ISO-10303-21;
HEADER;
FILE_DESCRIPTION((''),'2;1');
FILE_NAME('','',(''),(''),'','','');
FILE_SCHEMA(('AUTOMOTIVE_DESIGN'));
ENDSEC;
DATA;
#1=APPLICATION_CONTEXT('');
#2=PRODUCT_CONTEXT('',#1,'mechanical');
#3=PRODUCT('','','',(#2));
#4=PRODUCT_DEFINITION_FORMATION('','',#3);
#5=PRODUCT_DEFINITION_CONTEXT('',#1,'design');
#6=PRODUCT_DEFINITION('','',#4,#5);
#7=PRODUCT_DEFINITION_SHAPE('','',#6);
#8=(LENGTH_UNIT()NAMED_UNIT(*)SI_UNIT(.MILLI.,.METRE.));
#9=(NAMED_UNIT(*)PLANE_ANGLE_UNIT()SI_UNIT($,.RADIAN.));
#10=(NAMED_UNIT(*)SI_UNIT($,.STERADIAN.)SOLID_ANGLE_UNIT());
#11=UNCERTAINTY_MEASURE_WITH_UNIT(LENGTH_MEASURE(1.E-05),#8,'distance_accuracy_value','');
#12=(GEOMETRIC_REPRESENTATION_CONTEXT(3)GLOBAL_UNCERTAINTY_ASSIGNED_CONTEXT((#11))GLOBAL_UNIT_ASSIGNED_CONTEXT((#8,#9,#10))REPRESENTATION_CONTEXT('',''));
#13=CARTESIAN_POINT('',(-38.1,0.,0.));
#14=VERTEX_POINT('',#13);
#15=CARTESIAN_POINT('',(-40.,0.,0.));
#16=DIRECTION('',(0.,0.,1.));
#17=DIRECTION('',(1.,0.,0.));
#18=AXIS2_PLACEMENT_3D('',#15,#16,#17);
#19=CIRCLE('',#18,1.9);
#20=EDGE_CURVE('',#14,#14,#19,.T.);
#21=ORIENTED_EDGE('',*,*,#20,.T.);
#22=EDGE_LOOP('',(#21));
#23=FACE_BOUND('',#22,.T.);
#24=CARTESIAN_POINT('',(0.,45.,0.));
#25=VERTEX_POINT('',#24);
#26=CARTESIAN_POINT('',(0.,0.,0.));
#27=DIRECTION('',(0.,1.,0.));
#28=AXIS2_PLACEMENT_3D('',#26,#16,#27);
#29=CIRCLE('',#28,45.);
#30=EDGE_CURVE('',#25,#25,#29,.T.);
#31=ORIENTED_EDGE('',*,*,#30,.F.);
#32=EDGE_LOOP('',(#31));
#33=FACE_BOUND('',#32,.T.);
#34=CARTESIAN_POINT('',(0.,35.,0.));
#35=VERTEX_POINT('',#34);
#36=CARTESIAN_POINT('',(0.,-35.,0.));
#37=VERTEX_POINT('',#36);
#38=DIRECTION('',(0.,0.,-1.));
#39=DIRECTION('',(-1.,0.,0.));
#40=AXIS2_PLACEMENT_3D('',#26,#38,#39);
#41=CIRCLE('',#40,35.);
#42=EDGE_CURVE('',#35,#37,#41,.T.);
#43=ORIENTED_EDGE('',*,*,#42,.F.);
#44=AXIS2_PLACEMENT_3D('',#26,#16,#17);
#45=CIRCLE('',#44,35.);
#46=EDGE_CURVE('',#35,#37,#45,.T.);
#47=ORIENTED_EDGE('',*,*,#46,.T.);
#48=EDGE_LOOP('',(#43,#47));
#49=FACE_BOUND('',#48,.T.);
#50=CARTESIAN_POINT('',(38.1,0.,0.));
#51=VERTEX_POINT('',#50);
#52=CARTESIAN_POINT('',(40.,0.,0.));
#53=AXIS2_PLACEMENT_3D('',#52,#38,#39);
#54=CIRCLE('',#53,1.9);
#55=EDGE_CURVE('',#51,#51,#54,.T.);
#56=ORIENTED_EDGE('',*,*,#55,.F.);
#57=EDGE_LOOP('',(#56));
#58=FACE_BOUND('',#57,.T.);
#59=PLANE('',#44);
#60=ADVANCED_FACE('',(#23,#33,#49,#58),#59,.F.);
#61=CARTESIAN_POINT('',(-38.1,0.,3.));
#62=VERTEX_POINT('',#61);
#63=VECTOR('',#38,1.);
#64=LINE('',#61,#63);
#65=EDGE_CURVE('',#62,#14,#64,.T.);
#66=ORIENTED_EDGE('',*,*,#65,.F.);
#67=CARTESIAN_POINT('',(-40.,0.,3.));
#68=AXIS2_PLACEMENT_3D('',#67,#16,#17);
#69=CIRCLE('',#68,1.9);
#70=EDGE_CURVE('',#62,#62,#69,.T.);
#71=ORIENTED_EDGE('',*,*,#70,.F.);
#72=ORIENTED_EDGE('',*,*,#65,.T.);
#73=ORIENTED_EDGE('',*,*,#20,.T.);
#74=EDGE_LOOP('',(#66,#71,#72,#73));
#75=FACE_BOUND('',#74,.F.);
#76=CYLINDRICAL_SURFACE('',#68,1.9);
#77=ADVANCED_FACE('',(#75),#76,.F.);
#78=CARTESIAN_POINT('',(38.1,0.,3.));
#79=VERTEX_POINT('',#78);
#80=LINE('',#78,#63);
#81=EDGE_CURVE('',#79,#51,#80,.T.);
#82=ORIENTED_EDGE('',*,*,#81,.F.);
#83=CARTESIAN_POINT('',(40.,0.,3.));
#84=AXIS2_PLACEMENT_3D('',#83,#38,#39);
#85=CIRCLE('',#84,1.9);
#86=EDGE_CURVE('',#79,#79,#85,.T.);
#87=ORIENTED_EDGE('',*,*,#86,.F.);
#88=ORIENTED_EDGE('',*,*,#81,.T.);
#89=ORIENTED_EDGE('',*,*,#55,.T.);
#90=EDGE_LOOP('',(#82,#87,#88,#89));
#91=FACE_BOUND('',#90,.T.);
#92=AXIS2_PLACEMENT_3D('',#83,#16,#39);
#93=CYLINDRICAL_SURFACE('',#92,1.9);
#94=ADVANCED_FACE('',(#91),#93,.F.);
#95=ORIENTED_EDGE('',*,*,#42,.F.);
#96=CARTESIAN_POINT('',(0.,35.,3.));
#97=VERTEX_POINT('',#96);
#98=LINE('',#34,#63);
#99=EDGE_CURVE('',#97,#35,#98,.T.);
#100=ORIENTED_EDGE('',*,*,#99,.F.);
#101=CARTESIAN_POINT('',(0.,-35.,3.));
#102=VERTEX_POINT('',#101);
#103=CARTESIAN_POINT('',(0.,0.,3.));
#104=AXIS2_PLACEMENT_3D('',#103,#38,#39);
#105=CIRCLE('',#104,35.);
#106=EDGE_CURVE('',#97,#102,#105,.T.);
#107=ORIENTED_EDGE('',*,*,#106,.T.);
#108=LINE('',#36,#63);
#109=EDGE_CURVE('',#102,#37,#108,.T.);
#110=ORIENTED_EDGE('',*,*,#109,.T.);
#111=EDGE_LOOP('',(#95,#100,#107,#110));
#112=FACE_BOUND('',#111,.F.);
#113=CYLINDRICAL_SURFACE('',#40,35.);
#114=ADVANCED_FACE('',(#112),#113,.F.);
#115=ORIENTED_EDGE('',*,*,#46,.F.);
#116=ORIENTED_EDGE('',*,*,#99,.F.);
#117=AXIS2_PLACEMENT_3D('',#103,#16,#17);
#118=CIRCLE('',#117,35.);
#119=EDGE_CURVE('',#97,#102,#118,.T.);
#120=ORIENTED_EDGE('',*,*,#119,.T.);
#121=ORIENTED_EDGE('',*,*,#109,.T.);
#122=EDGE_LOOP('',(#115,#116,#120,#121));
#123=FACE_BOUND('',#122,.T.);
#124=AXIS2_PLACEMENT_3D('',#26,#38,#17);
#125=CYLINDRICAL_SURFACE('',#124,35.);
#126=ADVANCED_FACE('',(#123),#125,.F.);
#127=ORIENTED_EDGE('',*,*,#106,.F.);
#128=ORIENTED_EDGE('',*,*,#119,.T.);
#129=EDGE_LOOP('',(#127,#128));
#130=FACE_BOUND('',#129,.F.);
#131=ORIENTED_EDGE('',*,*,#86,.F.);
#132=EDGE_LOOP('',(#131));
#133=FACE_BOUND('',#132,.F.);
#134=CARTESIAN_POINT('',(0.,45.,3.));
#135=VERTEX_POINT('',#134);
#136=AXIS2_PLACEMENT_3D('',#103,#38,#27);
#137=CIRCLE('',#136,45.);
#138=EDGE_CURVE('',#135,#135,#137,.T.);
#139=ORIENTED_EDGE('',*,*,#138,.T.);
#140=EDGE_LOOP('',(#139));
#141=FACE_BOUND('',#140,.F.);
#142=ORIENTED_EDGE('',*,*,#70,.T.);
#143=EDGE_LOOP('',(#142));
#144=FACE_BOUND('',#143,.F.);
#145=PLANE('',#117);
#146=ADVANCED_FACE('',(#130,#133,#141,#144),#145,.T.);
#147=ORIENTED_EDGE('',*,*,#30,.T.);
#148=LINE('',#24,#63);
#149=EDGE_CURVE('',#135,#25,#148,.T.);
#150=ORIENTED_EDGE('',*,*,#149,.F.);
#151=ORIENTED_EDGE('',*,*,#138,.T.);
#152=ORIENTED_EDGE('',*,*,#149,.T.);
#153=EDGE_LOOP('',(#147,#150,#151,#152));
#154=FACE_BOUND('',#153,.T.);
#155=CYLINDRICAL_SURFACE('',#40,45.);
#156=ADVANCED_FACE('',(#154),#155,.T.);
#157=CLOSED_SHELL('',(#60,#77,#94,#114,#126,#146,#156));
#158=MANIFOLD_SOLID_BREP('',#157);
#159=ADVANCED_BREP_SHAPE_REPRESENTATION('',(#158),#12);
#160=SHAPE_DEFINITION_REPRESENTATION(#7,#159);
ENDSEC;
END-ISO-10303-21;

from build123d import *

# Parameters (mm, degrees)
F0_R     = 45
F0_R_2   = 35
F1_DEPTH = 3
F2_R     = 1.9
F3_DEPTH = 25
F4_W     = 55.17469
F4_H     = 97.550949
F5_DEPTH = 25


with BuildPart() as f1:
    # F0 (on Top) → F1 (new body)
    with BuildSketch(Plane.XY):
        Circle(F0_R)
        Circle(F0_R_2, mode=Mode.SUBTRACT)
    extrude(amount=F1_DEPTH)

    # F2 (on face) → F3 (cut)
    with BuildSketch(Plane.XY.offset(3)):
        with Locations((-40, 0)):
            Circle(F2_R)
        with Locations((40, 0)):
            Circle(F2_R)
    extrude(amount=-F3_DEPTH, mode=Mode.SUBTRACT)

    # F4 (on face) → F5 (cut)
    with BuildSketch(Plane.XY.offset(3)):
        with Locations((27.587345, 3.775474)):
            Rectangle(F4_W, F4_H)
    extrude(amount=-F5_DEPTH, mode=Mode.SUBTRACT)

    # F6: F1 across face


with BuildPart() as f1_1:
    add(f1.part)
    add(f1.part.mirror(Plane(origin=(0, 40, 1.5), x_dir=(0, 1, 0), z_dir=(1, 0, 0))))


solid = f1_1.part
